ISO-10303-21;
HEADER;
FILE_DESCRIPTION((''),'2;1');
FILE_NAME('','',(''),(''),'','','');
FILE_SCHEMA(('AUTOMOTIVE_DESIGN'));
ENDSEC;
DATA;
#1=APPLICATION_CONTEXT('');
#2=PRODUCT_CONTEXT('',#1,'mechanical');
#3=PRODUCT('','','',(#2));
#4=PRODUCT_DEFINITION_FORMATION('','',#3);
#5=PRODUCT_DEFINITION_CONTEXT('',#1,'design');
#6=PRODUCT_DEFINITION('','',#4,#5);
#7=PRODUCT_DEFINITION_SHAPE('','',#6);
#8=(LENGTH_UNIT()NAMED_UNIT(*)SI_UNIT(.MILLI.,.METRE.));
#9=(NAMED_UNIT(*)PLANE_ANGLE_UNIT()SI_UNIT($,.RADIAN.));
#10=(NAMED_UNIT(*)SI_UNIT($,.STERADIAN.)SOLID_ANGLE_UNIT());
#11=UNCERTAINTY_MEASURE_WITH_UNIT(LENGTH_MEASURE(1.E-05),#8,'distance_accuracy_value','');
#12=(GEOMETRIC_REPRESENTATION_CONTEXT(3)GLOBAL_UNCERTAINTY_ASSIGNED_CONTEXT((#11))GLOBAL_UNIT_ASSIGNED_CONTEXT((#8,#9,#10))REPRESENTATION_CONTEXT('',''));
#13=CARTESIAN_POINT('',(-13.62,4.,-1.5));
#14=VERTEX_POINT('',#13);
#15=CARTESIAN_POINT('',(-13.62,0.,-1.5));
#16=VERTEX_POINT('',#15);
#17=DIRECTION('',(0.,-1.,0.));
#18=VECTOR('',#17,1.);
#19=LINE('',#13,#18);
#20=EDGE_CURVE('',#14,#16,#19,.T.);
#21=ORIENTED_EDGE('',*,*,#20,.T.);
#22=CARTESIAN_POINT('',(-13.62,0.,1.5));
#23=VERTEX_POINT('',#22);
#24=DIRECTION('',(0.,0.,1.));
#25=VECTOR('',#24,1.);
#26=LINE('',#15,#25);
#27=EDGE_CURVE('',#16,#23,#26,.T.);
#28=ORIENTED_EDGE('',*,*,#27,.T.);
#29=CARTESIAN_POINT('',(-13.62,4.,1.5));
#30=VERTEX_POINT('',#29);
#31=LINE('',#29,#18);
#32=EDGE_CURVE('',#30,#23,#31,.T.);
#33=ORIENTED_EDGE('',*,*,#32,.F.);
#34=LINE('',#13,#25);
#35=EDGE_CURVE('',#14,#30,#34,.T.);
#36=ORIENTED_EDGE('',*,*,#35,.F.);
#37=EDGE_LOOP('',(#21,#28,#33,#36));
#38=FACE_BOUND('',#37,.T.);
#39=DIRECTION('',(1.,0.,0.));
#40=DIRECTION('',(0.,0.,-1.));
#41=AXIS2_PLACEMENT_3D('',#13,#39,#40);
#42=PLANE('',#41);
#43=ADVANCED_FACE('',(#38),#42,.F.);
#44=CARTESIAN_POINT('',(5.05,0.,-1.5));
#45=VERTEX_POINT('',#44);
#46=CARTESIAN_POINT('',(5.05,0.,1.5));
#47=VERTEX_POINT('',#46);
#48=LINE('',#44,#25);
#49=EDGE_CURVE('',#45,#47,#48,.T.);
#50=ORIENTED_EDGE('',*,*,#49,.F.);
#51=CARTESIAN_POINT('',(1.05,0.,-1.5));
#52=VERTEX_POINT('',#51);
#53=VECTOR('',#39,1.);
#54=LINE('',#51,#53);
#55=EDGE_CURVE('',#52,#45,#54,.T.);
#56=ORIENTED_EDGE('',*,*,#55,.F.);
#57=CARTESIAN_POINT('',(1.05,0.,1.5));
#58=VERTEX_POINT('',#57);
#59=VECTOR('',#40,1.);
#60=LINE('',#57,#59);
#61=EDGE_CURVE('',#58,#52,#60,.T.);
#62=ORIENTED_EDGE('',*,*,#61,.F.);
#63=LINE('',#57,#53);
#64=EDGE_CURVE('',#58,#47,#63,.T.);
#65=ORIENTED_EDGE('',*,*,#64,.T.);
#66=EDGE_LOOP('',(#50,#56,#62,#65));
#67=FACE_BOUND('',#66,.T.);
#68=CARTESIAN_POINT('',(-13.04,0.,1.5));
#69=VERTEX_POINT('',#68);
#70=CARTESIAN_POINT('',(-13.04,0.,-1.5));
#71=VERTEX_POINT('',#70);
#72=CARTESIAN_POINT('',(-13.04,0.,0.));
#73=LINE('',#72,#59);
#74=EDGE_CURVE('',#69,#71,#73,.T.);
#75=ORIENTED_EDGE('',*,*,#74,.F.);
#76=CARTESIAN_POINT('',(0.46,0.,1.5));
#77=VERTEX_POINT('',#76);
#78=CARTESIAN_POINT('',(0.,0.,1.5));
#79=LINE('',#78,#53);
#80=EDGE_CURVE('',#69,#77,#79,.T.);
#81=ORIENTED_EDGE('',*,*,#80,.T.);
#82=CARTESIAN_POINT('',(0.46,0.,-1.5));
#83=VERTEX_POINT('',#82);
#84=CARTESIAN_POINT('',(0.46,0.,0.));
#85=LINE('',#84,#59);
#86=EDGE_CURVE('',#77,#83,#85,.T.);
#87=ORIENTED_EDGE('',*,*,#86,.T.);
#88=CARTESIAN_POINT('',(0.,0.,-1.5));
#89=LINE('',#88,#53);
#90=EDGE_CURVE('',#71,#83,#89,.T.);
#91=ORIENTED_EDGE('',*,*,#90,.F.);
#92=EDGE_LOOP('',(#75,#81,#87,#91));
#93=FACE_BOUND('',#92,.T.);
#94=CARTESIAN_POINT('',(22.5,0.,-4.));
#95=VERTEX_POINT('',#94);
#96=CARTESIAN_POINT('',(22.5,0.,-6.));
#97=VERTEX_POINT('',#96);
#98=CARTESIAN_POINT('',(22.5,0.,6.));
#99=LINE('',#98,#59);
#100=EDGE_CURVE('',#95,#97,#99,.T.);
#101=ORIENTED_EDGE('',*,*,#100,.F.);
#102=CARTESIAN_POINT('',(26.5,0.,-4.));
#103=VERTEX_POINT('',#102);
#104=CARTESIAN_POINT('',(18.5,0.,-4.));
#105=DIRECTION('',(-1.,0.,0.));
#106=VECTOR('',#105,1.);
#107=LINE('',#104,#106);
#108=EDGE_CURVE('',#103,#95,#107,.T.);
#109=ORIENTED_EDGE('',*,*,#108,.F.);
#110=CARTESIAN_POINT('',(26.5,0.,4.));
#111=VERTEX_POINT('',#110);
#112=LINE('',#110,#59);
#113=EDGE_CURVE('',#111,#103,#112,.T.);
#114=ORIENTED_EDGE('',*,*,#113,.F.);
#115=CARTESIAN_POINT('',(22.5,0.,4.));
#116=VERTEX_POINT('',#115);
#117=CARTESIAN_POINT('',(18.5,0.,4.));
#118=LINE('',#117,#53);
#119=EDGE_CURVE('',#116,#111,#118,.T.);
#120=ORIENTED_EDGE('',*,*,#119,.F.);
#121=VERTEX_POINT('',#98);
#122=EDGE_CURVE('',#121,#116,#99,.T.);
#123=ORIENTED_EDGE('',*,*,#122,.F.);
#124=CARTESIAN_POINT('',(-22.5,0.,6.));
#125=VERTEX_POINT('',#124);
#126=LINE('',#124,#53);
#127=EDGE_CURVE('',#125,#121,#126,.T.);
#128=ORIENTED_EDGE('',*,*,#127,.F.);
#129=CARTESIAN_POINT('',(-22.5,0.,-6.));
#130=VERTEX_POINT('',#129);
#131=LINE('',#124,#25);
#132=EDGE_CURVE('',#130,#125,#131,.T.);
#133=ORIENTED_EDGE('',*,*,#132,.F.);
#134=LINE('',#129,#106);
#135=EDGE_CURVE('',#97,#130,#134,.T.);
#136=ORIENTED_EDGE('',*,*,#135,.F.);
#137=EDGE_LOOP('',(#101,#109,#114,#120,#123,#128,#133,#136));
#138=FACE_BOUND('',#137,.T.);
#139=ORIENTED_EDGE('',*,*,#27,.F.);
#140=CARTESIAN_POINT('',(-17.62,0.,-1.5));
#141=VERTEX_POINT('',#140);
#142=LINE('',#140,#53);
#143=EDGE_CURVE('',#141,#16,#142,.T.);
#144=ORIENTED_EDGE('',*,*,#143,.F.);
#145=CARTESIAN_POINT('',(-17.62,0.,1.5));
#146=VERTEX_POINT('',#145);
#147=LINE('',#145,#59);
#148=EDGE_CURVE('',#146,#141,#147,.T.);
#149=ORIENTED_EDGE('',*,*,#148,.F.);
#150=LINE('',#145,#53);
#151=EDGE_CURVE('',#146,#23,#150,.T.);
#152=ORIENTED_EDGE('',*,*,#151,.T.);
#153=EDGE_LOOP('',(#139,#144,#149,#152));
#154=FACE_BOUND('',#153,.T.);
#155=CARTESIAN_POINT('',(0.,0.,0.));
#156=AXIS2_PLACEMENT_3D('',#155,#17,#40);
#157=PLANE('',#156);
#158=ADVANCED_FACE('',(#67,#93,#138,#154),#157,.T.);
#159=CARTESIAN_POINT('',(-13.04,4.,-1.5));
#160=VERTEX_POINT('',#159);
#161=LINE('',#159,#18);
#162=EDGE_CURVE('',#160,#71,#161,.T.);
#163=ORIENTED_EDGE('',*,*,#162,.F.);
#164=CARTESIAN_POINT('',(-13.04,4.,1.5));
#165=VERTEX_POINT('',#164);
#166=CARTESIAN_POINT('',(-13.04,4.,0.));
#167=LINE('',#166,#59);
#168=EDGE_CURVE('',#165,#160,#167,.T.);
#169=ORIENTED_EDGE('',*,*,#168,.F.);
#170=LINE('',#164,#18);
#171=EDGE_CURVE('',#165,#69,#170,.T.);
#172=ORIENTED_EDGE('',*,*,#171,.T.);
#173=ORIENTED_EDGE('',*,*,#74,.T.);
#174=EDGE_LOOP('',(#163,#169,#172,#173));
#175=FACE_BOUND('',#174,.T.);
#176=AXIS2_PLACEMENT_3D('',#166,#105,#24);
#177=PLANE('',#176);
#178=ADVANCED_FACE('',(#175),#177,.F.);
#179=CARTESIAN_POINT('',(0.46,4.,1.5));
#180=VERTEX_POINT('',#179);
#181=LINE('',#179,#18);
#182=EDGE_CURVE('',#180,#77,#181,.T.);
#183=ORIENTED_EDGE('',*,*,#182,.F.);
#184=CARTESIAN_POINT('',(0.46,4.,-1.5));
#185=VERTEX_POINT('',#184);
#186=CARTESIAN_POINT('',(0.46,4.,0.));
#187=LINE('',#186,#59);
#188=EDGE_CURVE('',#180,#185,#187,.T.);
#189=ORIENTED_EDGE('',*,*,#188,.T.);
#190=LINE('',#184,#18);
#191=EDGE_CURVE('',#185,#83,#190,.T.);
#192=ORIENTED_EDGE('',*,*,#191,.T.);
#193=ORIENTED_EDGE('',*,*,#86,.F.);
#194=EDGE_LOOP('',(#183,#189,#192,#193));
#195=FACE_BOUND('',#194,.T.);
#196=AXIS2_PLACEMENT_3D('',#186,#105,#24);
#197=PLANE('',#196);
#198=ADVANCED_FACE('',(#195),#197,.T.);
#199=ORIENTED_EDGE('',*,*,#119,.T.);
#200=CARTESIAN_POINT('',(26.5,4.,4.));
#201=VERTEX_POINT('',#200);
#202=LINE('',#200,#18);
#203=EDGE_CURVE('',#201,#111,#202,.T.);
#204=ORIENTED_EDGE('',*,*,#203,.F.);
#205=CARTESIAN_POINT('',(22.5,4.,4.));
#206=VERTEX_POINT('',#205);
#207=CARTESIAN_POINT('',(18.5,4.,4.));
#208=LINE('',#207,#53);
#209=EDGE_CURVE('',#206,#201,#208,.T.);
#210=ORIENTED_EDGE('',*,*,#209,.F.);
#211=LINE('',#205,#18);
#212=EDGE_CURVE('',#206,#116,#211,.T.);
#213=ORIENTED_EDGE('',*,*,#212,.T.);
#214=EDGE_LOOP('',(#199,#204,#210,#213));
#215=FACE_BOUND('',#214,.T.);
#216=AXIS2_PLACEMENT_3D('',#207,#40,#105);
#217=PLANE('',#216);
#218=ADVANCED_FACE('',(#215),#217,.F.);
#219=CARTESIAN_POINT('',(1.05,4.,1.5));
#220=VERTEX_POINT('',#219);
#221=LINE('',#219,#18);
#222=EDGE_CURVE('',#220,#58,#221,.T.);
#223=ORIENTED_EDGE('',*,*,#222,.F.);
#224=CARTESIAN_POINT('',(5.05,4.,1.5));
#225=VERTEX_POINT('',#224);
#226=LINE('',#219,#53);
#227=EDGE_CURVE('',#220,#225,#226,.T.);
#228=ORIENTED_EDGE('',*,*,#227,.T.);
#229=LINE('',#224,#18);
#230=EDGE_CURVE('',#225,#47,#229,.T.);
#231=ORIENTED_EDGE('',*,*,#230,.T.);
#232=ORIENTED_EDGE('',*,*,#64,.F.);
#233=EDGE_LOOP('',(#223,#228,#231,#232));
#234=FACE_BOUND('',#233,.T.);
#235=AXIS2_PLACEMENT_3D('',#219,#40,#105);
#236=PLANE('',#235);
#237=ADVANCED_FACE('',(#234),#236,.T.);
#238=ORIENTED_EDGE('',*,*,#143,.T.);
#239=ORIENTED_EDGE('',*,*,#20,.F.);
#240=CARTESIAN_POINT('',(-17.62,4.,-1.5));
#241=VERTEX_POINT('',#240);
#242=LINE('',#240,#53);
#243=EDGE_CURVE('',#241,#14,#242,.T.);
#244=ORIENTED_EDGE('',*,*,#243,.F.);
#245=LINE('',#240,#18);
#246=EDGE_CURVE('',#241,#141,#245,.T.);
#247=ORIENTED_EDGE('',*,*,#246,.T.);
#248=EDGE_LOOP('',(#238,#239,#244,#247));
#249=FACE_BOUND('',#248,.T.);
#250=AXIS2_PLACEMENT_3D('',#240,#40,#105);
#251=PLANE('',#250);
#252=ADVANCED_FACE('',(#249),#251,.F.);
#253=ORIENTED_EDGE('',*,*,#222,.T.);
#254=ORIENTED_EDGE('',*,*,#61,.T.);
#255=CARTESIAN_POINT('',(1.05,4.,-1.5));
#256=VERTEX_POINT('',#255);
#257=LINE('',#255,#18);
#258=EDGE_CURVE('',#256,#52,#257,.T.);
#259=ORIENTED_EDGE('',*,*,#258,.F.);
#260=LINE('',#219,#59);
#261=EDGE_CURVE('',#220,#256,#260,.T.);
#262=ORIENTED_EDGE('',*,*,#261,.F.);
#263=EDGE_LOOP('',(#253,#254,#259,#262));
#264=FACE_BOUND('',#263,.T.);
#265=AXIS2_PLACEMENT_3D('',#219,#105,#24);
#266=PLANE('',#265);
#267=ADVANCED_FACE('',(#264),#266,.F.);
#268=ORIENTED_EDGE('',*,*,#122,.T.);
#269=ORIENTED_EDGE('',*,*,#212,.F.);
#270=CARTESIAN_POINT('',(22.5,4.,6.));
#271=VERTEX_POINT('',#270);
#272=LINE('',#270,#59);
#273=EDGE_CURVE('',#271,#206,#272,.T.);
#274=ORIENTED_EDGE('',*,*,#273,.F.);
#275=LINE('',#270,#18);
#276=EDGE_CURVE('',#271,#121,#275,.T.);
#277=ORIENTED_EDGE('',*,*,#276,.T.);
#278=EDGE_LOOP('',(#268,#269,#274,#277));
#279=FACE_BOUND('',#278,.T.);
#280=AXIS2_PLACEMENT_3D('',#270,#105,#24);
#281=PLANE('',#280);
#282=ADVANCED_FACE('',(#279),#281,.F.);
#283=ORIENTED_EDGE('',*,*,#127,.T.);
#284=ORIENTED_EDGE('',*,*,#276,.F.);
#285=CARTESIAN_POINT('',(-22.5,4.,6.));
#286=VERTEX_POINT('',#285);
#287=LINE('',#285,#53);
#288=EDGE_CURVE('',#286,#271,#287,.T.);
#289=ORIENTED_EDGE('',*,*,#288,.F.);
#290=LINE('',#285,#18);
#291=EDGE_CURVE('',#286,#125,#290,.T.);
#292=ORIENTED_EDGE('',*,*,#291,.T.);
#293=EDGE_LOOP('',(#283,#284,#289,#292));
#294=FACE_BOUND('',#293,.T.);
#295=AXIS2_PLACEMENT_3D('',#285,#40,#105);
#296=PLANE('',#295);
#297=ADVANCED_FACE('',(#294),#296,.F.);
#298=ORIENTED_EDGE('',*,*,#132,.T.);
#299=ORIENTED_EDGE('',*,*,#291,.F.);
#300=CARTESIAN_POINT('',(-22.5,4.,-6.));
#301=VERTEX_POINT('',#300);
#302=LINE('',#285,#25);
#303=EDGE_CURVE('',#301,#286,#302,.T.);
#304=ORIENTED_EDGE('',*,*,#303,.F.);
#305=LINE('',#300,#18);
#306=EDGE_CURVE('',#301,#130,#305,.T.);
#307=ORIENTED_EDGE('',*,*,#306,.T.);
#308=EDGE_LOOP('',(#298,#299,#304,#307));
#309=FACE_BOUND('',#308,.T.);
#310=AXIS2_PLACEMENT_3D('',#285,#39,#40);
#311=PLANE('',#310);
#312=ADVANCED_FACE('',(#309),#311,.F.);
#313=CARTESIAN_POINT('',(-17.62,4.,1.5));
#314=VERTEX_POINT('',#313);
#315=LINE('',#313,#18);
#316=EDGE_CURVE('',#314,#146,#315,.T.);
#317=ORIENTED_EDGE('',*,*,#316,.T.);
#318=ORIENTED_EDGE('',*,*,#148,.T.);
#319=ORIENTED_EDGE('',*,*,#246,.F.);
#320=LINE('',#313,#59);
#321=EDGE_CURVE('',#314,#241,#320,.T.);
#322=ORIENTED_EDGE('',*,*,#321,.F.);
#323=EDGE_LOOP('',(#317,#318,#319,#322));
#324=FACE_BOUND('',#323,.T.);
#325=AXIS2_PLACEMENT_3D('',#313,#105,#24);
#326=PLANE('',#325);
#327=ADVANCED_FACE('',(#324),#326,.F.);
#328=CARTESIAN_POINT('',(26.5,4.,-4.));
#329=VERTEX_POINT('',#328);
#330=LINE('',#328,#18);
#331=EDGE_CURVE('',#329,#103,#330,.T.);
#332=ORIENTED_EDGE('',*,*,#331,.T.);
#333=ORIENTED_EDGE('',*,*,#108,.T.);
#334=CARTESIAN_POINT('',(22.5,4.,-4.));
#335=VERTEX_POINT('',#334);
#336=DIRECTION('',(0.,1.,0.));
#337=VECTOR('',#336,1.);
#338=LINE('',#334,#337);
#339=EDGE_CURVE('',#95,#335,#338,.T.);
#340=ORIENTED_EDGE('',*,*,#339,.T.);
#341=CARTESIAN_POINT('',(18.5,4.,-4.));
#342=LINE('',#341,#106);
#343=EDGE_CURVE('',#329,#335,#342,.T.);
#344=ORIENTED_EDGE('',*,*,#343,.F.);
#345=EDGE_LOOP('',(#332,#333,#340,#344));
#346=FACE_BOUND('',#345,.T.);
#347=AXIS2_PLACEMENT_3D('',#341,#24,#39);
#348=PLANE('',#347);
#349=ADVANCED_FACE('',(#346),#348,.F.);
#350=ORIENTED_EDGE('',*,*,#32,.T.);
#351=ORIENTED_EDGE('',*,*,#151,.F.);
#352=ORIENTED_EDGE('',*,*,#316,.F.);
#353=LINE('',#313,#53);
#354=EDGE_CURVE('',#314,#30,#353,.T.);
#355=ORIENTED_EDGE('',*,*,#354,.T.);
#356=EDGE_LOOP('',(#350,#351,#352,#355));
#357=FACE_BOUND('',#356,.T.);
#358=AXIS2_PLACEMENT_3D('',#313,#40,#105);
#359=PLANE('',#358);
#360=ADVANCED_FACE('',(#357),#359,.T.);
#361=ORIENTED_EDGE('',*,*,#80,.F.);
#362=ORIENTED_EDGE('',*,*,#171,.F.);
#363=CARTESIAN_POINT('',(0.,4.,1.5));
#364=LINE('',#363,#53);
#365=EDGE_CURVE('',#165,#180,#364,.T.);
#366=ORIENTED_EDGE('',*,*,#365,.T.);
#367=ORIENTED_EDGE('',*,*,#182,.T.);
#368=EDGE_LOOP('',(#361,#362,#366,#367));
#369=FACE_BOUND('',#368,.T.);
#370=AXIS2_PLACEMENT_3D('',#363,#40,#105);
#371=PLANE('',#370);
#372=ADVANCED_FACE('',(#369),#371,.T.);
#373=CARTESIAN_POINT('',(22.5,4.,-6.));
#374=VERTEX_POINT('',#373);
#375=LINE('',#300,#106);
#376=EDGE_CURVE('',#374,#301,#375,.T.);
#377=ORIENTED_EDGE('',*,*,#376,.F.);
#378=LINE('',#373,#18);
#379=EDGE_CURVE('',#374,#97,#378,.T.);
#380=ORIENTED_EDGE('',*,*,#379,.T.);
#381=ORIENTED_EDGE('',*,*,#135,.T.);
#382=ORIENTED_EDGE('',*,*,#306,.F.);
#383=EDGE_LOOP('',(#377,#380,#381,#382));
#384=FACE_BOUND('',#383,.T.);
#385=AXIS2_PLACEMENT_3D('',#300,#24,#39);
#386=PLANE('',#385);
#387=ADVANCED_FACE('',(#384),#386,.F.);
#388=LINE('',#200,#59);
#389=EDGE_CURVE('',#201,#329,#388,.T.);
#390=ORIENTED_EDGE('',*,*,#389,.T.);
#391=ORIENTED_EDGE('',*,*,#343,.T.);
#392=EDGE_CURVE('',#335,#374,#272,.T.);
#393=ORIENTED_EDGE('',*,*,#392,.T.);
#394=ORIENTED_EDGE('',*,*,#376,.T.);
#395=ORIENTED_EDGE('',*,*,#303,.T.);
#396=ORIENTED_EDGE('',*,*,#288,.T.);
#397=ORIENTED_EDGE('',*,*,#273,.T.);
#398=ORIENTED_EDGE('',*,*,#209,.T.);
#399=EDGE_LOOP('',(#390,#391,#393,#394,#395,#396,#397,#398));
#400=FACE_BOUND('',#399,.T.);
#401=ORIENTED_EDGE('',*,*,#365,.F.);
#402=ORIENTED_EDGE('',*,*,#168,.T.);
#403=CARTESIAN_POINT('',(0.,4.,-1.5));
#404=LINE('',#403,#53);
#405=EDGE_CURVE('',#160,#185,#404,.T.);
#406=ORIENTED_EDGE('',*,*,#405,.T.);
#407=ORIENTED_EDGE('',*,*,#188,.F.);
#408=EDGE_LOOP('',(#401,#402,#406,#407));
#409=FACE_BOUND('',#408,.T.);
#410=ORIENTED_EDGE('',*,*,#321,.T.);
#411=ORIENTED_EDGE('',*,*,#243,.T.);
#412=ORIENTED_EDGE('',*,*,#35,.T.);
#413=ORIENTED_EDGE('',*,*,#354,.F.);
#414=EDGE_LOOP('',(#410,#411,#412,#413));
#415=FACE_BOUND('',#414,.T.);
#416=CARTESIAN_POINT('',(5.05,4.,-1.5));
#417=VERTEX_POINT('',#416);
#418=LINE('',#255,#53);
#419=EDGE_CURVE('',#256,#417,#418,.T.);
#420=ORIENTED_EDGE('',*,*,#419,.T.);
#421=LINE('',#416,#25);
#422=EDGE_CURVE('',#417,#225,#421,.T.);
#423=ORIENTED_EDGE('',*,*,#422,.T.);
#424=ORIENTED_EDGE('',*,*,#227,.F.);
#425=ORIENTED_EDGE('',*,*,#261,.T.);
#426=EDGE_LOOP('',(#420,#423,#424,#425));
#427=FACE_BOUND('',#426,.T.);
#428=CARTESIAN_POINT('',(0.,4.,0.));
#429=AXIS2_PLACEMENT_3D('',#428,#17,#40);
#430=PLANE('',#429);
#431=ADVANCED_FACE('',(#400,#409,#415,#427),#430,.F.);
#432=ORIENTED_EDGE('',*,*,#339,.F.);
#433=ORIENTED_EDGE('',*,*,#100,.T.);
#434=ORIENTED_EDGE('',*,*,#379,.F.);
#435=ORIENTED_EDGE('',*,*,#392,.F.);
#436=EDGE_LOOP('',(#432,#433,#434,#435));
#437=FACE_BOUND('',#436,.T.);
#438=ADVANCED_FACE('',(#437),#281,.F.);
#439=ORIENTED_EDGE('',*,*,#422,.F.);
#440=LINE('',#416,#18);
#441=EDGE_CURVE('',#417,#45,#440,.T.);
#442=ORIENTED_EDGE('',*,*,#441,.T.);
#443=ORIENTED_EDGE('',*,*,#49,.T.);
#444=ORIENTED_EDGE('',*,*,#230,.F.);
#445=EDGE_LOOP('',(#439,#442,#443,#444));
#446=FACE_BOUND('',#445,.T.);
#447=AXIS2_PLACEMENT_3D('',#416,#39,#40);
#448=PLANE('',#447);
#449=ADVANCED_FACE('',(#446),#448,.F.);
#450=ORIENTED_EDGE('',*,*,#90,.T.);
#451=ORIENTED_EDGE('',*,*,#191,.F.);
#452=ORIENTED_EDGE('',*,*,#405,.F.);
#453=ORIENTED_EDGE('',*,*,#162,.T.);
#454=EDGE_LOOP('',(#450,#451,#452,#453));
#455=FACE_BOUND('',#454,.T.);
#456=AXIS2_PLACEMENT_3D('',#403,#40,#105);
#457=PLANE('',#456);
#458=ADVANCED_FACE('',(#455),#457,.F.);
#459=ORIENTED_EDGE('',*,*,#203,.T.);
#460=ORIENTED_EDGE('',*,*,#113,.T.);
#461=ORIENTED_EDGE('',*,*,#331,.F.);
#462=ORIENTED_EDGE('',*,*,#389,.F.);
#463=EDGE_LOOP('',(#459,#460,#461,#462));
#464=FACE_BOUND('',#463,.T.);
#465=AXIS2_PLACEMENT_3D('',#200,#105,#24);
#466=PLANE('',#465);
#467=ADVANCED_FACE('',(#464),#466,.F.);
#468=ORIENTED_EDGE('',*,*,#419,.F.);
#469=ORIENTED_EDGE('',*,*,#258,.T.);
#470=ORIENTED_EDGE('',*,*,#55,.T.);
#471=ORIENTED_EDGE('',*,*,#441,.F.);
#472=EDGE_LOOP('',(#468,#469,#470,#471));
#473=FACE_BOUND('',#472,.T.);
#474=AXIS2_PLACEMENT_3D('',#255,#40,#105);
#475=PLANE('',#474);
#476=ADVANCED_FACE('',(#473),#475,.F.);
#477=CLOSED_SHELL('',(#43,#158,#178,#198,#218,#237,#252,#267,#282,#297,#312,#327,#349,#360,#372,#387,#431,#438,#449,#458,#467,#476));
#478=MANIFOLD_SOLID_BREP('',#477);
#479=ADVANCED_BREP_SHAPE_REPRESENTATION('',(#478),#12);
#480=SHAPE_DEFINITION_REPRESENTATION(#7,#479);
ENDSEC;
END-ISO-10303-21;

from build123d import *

# Parameters (mm, degrees)
SKETCH1_W               = 45
SKETCH1_H               = 12
BOSS_EXTRUDE1_DEPTH     = 4
SKETCH2_W               = 8
SKETCH2_H               = 8
BOSS_EXTRUDE2_DEPTH     = 4
SKETCH4_W               = 13.5
SKETCH4_H               = 3
CUT_EXTRUDE2_DEPTH      = 5
SKETCH4_3_W             = 4
SKETCH4_3_H             = 3
CUT_EXTRUDE_THIN2_DEPTH = 4
LPATTERN1_COUNT         = 2
LPATTERN1_PITCH         = 18.67


with BuildPart() as part:
    # Sketch1 → Boss-Extrude1 (new body)
    with BuildSketch(Plane(origin=(0, 0, 0), x_dir=(1, 0, 0), z_dir=(0, 1, 0))):
        Rectangle(SKETCH1_W, SKETCH1_H)
    extrude(amount=BOSS_EXTRUDE1_DEPTH)

    # Sketch2 → Boss-Extrude2 (add)
    with BuildSketch(Plane(origin=(0, 0, 0), x_dir=(1, 0, 0), z_dir=(0, 1, 0))):
        with Locations((22.5, 0)):
            Rectangle(SKETCH2_W, SKETCH2_H)
    extrude(amount=BOSS_EXTRUDE2_DEPTH)

    # Sketch4 → Cut-Extrude2 (cut, through all)
    with BuildSketch(Plane(origin=(0, 0, 0), x_dir=(1, 0, 0), z_dir=(0, 1, 0))):
        with Locations((-6.29, 0)):
            Rectangle(SKETCH4_W, SKETCH4_H)
    extrude(amount=CUT_EXTRUDE2_DEPTH, mode=Mode.SUBTRACT)

    # Sketch4<3> → Cut-Extrude-Thin2 (cut)
    with BuildSketch(Plane(origin=(0, 0, 0), x_dir=(1, 0, 0), z_dir=(0, 1, 0))):
        with Locations((3.05, 0)):
            Rectangle(SKETCH4_3_W, SKETCH4_3_H)
    cut_extrude_thin2 = extrude(amount=CUT_EXTRUDE_THIN2_DEPTH, mode=Mode.SUBTRACT)

    # LPattern1: Cut-Extrude-Thin2 ×2
    with Locations(*[(-i * LPATTERN1_PITCH, 0, 0) for i in range(1, LPATTERN1_COUNT)]):
        add(cut_extrude_thin2, mode=Mode.SUBTRACT)


solid = part.part
